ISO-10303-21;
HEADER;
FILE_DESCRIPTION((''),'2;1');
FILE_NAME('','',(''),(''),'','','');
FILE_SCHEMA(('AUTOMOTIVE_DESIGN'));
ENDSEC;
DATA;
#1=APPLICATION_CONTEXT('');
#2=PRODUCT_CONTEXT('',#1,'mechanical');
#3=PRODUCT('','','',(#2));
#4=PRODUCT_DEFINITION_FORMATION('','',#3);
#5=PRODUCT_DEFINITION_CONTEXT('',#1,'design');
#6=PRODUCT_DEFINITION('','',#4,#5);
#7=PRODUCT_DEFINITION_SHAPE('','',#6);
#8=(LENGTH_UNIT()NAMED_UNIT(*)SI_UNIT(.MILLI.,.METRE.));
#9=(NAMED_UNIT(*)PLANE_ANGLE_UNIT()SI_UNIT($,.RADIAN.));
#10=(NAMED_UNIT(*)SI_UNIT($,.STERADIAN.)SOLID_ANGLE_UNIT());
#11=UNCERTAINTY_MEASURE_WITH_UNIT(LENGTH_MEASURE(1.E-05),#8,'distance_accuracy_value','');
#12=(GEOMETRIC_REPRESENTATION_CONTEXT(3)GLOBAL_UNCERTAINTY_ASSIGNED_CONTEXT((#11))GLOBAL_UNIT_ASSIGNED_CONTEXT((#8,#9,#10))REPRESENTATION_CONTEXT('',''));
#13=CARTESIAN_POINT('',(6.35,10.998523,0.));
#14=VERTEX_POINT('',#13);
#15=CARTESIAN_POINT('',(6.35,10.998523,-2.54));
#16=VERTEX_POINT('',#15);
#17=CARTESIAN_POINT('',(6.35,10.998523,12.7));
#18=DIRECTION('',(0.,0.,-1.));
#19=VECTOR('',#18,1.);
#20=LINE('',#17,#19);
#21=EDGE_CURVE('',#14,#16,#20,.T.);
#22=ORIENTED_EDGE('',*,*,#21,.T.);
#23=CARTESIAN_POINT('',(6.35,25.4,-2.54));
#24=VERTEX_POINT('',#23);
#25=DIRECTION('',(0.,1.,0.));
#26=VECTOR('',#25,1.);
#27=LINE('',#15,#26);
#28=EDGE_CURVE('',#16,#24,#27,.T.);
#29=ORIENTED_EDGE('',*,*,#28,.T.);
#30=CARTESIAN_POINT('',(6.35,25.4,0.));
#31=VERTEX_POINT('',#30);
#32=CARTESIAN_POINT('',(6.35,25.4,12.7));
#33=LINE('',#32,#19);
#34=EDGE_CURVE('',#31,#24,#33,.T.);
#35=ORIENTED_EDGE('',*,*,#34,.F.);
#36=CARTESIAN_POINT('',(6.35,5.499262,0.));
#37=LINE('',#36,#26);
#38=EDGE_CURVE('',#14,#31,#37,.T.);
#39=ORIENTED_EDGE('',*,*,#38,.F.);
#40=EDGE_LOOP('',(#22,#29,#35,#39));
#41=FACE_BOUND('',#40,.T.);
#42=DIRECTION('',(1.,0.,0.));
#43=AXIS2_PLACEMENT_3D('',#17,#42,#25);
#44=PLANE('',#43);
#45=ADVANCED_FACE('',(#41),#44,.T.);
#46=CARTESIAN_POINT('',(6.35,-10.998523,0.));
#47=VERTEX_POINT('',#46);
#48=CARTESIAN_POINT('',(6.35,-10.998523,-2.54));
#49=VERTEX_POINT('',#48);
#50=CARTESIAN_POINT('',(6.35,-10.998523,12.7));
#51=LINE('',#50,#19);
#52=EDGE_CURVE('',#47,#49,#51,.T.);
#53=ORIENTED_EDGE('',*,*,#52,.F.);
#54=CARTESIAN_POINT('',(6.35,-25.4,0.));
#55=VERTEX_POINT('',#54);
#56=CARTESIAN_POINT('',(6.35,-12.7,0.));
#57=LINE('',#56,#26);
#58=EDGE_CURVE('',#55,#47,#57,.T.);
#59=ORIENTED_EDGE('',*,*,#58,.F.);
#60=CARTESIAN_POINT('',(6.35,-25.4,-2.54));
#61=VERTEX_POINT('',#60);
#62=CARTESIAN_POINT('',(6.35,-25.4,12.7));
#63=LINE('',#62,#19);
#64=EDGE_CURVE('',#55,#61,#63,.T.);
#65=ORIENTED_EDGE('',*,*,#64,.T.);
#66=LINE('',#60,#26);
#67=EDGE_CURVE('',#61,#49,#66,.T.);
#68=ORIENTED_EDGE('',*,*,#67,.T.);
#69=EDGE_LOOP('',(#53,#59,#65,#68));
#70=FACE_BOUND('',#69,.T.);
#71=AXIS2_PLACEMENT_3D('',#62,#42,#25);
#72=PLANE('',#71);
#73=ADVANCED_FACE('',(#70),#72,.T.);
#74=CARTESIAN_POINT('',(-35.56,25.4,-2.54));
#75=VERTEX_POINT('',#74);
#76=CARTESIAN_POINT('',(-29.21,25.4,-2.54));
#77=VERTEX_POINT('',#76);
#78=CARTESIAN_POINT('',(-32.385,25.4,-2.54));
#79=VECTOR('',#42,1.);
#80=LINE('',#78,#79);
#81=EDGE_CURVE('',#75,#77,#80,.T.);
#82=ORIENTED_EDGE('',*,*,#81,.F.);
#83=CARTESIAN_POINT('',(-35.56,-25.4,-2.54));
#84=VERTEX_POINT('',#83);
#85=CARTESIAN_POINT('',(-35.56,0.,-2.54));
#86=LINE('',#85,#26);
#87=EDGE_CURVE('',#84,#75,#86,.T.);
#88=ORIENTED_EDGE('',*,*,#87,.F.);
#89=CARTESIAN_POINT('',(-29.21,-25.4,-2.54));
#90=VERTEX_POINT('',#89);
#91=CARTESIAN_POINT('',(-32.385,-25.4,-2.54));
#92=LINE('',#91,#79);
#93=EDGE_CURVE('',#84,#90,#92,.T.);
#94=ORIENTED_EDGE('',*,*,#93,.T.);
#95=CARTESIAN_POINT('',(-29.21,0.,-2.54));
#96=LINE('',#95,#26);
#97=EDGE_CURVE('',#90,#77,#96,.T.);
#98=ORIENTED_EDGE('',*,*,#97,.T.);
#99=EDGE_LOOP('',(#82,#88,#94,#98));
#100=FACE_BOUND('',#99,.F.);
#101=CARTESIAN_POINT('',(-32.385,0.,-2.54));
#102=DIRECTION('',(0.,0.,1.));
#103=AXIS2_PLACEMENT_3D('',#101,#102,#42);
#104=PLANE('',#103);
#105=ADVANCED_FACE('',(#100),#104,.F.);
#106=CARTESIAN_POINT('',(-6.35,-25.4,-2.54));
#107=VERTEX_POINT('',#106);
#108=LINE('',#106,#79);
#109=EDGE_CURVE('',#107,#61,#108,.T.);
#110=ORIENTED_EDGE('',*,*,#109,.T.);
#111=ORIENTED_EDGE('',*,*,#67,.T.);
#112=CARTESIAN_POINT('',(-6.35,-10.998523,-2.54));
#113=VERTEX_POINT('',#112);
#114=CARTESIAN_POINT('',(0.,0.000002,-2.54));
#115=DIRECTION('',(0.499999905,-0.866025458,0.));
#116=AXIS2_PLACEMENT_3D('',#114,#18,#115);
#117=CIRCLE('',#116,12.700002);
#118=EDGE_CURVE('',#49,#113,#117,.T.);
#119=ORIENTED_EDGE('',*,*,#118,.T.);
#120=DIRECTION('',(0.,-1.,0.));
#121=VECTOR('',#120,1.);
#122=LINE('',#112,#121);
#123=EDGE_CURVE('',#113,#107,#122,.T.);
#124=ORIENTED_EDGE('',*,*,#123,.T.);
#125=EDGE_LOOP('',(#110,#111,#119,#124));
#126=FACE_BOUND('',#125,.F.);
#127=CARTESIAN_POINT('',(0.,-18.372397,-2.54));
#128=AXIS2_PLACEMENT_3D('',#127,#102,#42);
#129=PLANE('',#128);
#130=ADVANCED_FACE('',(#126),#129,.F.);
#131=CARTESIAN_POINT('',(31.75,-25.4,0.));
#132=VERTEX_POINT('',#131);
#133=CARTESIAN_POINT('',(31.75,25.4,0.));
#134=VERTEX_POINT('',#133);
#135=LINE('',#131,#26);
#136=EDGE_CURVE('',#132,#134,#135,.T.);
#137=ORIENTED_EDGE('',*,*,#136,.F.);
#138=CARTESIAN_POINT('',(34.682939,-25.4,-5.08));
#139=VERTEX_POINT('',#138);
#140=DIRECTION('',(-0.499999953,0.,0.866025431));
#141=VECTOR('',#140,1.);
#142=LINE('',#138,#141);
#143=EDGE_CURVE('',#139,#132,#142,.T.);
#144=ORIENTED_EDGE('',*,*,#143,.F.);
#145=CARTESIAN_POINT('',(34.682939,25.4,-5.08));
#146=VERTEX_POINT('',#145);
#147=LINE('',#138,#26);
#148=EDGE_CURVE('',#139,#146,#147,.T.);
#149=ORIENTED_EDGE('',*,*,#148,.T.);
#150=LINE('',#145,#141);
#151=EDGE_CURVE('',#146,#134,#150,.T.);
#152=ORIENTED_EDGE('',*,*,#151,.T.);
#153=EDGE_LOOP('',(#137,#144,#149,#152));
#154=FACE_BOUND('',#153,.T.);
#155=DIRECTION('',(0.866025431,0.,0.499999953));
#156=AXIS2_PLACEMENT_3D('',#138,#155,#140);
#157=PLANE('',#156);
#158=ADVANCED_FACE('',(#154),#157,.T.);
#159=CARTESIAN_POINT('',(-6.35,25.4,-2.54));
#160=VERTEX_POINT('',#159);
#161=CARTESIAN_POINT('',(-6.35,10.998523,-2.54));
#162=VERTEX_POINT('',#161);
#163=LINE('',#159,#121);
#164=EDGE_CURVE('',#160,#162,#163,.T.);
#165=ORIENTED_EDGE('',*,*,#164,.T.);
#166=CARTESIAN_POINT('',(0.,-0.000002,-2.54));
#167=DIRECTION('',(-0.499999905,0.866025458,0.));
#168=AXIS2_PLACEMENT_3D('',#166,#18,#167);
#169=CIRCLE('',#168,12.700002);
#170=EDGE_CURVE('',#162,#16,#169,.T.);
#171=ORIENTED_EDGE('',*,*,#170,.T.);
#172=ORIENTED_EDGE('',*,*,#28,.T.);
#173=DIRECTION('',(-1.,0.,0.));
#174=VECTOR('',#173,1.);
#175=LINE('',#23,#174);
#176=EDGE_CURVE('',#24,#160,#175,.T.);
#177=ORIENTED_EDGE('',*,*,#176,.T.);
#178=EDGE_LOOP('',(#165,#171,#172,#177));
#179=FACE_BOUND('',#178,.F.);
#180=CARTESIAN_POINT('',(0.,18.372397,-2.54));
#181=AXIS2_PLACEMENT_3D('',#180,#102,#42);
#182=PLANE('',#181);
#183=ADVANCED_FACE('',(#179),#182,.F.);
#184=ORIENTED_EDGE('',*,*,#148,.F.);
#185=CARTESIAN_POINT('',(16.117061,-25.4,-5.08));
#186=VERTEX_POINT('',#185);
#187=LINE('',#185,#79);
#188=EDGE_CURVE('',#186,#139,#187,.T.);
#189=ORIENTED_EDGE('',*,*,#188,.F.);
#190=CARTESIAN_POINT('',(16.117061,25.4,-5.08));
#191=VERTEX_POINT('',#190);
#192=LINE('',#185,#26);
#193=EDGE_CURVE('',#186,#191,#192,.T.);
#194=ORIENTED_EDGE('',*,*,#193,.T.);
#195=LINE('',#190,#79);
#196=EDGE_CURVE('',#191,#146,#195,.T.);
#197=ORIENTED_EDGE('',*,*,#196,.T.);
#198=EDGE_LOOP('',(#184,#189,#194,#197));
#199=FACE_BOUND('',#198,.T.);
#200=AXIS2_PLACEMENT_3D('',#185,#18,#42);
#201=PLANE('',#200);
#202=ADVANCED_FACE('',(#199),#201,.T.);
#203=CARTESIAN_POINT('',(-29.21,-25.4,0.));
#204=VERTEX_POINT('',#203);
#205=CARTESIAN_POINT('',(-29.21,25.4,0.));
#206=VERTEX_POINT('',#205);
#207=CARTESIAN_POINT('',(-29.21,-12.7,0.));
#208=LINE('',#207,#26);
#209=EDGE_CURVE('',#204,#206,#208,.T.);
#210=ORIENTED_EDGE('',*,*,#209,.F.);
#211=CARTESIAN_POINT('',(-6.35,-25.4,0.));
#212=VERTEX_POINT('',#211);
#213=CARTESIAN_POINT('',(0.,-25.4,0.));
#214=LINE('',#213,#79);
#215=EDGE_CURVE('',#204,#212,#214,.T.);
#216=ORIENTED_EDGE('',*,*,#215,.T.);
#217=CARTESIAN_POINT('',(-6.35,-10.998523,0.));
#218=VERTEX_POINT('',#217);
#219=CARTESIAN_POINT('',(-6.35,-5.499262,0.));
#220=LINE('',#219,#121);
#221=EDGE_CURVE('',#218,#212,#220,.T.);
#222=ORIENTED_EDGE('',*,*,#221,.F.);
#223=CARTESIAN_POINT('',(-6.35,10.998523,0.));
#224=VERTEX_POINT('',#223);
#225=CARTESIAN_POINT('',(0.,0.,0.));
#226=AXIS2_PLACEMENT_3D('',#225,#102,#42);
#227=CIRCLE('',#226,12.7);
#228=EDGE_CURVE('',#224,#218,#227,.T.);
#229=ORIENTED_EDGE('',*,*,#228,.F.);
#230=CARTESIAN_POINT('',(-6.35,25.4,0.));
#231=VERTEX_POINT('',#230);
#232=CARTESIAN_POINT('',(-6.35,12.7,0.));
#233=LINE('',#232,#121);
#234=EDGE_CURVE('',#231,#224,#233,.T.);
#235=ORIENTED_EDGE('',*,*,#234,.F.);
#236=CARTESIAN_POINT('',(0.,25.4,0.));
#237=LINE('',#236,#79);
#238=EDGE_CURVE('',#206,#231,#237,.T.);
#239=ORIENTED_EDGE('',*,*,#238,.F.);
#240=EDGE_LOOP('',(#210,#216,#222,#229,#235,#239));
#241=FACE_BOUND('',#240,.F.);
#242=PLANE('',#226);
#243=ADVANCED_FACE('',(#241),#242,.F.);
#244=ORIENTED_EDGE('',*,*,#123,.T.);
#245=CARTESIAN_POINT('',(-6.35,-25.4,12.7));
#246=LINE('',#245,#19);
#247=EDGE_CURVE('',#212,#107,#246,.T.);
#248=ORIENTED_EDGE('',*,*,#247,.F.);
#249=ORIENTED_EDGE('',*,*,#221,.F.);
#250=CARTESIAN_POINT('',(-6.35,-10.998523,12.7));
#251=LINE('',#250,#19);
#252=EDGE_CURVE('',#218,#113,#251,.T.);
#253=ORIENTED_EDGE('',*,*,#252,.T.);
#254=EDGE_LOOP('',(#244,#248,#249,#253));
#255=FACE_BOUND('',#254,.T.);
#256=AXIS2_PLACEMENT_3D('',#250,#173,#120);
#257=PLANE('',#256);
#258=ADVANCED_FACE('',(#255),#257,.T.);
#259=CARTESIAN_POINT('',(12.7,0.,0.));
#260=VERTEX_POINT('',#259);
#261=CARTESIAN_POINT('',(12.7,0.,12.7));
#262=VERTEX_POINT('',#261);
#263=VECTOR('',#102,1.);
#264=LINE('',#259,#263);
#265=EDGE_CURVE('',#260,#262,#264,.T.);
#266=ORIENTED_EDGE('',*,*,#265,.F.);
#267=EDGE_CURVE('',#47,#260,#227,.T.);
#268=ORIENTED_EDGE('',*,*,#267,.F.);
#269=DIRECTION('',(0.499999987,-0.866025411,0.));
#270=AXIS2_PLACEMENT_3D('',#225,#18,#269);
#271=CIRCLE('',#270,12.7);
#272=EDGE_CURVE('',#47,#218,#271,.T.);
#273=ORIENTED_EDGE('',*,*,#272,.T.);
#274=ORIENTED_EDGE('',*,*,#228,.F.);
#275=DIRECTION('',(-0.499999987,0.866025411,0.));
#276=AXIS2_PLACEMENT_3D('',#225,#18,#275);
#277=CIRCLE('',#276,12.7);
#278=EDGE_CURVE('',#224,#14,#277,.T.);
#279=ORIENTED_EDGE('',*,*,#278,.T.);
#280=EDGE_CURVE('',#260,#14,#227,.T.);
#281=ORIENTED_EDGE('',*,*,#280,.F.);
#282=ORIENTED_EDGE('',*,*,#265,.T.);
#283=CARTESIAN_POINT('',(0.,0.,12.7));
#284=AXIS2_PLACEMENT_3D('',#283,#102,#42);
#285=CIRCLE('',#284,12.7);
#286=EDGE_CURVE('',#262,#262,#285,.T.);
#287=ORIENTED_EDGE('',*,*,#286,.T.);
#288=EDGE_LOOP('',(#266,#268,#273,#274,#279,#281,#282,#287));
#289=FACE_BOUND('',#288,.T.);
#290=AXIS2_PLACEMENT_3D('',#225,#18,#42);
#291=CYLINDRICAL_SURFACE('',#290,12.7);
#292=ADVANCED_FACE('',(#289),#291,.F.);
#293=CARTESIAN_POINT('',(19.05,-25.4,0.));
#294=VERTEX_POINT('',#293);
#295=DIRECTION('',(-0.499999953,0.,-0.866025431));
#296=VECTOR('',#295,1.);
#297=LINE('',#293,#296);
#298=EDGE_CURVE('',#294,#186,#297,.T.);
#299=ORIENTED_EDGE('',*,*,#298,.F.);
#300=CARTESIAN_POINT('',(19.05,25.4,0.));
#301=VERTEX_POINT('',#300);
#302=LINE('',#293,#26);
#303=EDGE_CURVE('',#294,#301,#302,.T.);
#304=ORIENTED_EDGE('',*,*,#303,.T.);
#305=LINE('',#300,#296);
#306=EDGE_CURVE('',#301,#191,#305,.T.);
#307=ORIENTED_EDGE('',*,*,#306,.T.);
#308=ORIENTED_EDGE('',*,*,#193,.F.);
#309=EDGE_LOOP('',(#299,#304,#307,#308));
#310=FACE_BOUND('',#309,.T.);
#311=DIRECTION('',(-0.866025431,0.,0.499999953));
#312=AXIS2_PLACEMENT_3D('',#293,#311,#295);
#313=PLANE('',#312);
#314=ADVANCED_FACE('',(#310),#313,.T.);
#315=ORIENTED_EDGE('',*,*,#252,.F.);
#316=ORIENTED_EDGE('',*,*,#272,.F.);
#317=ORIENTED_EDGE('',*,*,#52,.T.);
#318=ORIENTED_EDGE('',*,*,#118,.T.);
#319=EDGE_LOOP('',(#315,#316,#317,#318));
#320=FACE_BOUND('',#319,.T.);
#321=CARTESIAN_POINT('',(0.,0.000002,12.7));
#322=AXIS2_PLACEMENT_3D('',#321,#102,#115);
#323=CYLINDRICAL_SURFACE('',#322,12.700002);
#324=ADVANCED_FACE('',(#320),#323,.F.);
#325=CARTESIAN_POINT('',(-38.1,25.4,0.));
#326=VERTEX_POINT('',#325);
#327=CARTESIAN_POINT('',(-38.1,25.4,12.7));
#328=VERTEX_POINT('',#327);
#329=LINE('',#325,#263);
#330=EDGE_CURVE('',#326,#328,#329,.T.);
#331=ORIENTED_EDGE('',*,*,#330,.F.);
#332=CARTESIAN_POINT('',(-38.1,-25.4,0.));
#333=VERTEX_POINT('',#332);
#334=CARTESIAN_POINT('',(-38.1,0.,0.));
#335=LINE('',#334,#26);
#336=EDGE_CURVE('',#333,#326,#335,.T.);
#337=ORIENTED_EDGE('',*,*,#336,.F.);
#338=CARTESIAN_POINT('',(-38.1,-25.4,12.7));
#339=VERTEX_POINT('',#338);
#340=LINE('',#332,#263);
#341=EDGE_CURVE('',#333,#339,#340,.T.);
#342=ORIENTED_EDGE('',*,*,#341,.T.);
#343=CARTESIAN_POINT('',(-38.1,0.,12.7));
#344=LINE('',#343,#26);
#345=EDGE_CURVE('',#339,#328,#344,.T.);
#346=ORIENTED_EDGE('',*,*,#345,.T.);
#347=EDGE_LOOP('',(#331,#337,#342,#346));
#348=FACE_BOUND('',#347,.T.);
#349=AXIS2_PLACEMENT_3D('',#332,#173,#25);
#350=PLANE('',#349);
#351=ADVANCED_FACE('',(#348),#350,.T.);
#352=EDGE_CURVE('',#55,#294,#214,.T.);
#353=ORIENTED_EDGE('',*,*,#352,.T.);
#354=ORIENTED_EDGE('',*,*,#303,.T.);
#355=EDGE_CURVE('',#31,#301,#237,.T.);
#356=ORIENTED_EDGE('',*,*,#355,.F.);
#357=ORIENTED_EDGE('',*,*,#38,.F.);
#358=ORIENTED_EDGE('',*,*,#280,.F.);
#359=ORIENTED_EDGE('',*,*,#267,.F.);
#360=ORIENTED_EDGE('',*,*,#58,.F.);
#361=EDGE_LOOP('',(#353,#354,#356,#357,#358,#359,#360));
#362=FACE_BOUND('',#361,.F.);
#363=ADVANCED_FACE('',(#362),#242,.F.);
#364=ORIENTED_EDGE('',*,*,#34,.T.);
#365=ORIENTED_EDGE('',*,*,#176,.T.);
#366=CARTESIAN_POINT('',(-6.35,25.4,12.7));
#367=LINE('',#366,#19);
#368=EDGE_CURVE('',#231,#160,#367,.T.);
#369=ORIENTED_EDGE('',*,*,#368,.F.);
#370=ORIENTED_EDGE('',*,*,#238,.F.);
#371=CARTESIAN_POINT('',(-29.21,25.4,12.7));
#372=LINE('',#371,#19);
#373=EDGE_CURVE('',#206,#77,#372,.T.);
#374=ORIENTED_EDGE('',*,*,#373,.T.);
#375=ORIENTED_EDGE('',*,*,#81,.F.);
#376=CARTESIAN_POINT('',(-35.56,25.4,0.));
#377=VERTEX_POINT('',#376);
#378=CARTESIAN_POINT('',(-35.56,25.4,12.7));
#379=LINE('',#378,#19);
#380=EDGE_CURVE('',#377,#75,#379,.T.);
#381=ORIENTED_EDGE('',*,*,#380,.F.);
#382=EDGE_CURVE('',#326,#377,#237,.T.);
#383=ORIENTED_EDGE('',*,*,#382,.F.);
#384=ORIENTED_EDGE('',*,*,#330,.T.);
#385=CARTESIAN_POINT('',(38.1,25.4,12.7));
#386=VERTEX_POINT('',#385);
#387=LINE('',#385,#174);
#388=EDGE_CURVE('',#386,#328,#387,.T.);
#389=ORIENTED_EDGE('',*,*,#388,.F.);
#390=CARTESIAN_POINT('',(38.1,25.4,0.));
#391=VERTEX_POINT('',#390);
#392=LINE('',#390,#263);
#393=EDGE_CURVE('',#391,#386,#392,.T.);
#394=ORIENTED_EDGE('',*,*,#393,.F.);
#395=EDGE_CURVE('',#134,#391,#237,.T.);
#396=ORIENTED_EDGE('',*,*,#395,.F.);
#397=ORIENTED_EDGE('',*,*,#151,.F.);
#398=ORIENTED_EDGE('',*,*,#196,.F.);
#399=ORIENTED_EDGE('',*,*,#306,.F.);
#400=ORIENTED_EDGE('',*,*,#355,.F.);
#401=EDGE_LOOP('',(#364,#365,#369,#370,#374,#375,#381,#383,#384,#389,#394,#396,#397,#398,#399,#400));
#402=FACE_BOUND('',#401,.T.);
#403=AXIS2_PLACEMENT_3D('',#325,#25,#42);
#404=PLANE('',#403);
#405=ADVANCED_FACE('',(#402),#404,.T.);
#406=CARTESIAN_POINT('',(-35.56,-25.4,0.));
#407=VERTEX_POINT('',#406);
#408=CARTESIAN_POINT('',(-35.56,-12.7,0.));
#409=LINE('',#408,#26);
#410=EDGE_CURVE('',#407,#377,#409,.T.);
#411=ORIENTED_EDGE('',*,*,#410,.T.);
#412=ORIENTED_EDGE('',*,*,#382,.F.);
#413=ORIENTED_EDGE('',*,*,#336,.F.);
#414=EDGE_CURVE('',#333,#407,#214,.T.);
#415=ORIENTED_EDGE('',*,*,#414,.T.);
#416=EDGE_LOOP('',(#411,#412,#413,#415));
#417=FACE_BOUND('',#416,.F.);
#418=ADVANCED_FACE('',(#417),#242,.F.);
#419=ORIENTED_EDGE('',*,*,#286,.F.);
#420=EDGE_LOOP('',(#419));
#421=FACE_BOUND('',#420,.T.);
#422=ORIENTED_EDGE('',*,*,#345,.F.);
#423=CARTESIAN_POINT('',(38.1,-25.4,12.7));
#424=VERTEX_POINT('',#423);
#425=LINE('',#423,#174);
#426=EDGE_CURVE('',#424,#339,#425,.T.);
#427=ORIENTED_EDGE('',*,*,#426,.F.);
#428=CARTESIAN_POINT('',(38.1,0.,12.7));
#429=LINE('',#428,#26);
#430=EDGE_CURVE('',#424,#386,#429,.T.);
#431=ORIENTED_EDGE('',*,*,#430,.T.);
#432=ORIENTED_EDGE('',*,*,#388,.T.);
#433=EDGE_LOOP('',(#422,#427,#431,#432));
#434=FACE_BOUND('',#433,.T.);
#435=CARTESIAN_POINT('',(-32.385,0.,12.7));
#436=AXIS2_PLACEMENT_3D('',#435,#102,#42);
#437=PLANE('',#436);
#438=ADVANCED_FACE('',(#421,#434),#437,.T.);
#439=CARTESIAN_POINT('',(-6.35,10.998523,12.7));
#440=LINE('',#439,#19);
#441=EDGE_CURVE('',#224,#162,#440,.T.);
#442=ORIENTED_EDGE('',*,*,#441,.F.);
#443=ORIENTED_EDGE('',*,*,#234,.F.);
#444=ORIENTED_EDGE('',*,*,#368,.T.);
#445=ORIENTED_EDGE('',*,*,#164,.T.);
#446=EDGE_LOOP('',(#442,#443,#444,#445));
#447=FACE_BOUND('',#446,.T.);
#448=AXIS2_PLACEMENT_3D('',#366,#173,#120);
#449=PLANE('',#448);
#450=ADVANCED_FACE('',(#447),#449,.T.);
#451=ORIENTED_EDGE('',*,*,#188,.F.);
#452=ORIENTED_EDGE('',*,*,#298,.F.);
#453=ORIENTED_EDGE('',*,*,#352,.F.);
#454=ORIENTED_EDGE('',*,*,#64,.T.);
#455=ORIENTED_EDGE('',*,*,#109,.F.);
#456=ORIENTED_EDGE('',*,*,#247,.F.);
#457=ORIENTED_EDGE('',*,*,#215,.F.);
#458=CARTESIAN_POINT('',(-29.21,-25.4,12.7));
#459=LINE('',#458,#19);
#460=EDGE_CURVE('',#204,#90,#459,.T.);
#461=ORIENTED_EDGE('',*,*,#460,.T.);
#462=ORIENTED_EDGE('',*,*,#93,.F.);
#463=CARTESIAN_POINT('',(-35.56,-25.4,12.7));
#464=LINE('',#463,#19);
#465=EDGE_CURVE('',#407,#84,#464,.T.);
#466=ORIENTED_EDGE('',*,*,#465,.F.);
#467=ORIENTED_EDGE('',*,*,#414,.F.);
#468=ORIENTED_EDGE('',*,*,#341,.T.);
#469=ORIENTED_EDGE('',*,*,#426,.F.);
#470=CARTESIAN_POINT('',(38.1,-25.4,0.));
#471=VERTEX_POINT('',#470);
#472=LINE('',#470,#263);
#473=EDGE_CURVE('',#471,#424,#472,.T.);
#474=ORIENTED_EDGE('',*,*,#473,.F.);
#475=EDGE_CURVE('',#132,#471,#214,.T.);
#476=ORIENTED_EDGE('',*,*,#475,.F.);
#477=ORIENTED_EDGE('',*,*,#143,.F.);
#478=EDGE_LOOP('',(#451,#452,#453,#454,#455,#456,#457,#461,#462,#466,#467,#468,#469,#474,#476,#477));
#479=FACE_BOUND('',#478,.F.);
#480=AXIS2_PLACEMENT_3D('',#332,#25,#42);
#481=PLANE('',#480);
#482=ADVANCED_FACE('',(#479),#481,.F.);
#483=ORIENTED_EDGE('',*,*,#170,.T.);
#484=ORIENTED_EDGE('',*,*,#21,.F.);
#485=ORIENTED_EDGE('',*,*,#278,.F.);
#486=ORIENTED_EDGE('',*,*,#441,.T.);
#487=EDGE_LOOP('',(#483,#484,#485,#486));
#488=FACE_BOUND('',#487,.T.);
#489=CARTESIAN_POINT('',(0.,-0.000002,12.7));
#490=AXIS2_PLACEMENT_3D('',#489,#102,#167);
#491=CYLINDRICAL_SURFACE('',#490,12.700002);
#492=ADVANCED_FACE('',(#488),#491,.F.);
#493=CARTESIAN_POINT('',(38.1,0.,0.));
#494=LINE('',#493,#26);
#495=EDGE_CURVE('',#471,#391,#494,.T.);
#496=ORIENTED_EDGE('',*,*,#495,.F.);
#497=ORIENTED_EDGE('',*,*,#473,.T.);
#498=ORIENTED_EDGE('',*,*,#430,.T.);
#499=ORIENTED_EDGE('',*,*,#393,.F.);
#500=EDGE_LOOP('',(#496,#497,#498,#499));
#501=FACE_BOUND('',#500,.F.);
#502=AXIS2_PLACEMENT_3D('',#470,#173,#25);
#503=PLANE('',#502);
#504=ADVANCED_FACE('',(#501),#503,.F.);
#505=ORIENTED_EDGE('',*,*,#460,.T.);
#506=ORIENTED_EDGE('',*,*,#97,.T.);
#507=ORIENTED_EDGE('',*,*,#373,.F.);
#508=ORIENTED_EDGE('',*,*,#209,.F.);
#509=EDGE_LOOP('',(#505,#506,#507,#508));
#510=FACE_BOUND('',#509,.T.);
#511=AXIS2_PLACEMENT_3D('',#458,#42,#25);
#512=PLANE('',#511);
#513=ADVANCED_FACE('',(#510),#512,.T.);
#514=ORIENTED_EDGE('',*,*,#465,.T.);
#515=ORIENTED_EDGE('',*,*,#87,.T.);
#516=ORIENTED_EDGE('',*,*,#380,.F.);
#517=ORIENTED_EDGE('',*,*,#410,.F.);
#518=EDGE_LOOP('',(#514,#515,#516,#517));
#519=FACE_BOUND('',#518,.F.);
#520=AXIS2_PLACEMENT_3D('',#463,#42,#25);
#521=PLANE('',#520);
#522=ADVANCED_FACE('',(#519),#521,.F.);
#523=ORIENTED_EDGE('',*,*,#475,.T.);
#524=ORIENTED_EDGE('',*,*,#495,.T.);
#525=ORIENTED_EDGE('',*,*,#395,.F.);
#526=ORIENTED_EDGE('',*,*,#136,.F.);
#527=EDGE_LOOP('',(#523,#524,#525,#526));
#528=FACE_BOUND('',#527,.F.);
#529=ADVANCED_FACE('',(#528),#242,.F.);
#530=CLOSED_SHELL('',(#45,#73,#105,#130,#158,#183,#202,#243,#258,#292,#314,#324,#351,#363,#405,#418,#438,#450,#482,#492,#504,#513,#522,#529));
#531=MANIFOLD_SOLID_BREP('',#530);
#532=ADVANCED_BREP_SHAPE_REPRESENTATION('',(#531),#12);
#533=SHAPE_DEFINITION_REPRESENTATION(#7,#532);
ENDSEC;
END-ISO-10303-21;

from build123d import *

# Parameters (mm, degrees)
F0_W     = 76.2
F0_H     = 50.8
F0_R     = 12.7
F1_DEPTH = 12.7
F2_W     = 6.35
F2_H     = 50.8
F3_DEPTH = 15.24
F5_DEPTH = 50.8


with BuildPart() as f1:
    # F0 (on Top) → F1 (new body)
    with BuildSketch(Plane.XY):
        Rectangle(F0_W, F0_H)
        Circle(F0_R, mode=Mode.SUBTRACT)
    extrude(amount=F1_DEPTH)

    # F2 (on face) → F3 (join)
    with BuildSketch(Plane.XY.offset(12.7)):
        with Locations((-32.385, 0)):
            Rectangle(F2_W, F2_H)
        with BuildLine():
            Line((-6.35, -10.998523), (-6.35, -25.4))
            Line((-6.35, -25.4), (6.35, -25.4))
            Line((6.35, -25.4), (6.35, -10.998523))
            ThreePointArc((6.35, -10.998523), (0, -12.7), (-6.35, -10.998523))
        make_face()
        with BuildLine():
            Line((6.35, 25.4), (-6.35, 25.4))
            Line((-6.35, 25.4), (-6.35, 10.998523))
            ThreePointArc((-6.35, 10.998523), (0, 12.7), (6.35, 10.998523))
            Line((6.35, 10.998523), (6.35, 25.4))
        make_face()
    extrude(amount=-F3_DEPTH)

    # F4 (on face) → F5 (join)
    with BuildSketch(Plane.XZ.offset(25.4)):
        Polygon((31.75, 0), (19.05, 0), (16.117061, -5.08), (34.682939, -5.08), align=None)
    extrude(amount=-F5_DEPTH)


solid = f1.part
